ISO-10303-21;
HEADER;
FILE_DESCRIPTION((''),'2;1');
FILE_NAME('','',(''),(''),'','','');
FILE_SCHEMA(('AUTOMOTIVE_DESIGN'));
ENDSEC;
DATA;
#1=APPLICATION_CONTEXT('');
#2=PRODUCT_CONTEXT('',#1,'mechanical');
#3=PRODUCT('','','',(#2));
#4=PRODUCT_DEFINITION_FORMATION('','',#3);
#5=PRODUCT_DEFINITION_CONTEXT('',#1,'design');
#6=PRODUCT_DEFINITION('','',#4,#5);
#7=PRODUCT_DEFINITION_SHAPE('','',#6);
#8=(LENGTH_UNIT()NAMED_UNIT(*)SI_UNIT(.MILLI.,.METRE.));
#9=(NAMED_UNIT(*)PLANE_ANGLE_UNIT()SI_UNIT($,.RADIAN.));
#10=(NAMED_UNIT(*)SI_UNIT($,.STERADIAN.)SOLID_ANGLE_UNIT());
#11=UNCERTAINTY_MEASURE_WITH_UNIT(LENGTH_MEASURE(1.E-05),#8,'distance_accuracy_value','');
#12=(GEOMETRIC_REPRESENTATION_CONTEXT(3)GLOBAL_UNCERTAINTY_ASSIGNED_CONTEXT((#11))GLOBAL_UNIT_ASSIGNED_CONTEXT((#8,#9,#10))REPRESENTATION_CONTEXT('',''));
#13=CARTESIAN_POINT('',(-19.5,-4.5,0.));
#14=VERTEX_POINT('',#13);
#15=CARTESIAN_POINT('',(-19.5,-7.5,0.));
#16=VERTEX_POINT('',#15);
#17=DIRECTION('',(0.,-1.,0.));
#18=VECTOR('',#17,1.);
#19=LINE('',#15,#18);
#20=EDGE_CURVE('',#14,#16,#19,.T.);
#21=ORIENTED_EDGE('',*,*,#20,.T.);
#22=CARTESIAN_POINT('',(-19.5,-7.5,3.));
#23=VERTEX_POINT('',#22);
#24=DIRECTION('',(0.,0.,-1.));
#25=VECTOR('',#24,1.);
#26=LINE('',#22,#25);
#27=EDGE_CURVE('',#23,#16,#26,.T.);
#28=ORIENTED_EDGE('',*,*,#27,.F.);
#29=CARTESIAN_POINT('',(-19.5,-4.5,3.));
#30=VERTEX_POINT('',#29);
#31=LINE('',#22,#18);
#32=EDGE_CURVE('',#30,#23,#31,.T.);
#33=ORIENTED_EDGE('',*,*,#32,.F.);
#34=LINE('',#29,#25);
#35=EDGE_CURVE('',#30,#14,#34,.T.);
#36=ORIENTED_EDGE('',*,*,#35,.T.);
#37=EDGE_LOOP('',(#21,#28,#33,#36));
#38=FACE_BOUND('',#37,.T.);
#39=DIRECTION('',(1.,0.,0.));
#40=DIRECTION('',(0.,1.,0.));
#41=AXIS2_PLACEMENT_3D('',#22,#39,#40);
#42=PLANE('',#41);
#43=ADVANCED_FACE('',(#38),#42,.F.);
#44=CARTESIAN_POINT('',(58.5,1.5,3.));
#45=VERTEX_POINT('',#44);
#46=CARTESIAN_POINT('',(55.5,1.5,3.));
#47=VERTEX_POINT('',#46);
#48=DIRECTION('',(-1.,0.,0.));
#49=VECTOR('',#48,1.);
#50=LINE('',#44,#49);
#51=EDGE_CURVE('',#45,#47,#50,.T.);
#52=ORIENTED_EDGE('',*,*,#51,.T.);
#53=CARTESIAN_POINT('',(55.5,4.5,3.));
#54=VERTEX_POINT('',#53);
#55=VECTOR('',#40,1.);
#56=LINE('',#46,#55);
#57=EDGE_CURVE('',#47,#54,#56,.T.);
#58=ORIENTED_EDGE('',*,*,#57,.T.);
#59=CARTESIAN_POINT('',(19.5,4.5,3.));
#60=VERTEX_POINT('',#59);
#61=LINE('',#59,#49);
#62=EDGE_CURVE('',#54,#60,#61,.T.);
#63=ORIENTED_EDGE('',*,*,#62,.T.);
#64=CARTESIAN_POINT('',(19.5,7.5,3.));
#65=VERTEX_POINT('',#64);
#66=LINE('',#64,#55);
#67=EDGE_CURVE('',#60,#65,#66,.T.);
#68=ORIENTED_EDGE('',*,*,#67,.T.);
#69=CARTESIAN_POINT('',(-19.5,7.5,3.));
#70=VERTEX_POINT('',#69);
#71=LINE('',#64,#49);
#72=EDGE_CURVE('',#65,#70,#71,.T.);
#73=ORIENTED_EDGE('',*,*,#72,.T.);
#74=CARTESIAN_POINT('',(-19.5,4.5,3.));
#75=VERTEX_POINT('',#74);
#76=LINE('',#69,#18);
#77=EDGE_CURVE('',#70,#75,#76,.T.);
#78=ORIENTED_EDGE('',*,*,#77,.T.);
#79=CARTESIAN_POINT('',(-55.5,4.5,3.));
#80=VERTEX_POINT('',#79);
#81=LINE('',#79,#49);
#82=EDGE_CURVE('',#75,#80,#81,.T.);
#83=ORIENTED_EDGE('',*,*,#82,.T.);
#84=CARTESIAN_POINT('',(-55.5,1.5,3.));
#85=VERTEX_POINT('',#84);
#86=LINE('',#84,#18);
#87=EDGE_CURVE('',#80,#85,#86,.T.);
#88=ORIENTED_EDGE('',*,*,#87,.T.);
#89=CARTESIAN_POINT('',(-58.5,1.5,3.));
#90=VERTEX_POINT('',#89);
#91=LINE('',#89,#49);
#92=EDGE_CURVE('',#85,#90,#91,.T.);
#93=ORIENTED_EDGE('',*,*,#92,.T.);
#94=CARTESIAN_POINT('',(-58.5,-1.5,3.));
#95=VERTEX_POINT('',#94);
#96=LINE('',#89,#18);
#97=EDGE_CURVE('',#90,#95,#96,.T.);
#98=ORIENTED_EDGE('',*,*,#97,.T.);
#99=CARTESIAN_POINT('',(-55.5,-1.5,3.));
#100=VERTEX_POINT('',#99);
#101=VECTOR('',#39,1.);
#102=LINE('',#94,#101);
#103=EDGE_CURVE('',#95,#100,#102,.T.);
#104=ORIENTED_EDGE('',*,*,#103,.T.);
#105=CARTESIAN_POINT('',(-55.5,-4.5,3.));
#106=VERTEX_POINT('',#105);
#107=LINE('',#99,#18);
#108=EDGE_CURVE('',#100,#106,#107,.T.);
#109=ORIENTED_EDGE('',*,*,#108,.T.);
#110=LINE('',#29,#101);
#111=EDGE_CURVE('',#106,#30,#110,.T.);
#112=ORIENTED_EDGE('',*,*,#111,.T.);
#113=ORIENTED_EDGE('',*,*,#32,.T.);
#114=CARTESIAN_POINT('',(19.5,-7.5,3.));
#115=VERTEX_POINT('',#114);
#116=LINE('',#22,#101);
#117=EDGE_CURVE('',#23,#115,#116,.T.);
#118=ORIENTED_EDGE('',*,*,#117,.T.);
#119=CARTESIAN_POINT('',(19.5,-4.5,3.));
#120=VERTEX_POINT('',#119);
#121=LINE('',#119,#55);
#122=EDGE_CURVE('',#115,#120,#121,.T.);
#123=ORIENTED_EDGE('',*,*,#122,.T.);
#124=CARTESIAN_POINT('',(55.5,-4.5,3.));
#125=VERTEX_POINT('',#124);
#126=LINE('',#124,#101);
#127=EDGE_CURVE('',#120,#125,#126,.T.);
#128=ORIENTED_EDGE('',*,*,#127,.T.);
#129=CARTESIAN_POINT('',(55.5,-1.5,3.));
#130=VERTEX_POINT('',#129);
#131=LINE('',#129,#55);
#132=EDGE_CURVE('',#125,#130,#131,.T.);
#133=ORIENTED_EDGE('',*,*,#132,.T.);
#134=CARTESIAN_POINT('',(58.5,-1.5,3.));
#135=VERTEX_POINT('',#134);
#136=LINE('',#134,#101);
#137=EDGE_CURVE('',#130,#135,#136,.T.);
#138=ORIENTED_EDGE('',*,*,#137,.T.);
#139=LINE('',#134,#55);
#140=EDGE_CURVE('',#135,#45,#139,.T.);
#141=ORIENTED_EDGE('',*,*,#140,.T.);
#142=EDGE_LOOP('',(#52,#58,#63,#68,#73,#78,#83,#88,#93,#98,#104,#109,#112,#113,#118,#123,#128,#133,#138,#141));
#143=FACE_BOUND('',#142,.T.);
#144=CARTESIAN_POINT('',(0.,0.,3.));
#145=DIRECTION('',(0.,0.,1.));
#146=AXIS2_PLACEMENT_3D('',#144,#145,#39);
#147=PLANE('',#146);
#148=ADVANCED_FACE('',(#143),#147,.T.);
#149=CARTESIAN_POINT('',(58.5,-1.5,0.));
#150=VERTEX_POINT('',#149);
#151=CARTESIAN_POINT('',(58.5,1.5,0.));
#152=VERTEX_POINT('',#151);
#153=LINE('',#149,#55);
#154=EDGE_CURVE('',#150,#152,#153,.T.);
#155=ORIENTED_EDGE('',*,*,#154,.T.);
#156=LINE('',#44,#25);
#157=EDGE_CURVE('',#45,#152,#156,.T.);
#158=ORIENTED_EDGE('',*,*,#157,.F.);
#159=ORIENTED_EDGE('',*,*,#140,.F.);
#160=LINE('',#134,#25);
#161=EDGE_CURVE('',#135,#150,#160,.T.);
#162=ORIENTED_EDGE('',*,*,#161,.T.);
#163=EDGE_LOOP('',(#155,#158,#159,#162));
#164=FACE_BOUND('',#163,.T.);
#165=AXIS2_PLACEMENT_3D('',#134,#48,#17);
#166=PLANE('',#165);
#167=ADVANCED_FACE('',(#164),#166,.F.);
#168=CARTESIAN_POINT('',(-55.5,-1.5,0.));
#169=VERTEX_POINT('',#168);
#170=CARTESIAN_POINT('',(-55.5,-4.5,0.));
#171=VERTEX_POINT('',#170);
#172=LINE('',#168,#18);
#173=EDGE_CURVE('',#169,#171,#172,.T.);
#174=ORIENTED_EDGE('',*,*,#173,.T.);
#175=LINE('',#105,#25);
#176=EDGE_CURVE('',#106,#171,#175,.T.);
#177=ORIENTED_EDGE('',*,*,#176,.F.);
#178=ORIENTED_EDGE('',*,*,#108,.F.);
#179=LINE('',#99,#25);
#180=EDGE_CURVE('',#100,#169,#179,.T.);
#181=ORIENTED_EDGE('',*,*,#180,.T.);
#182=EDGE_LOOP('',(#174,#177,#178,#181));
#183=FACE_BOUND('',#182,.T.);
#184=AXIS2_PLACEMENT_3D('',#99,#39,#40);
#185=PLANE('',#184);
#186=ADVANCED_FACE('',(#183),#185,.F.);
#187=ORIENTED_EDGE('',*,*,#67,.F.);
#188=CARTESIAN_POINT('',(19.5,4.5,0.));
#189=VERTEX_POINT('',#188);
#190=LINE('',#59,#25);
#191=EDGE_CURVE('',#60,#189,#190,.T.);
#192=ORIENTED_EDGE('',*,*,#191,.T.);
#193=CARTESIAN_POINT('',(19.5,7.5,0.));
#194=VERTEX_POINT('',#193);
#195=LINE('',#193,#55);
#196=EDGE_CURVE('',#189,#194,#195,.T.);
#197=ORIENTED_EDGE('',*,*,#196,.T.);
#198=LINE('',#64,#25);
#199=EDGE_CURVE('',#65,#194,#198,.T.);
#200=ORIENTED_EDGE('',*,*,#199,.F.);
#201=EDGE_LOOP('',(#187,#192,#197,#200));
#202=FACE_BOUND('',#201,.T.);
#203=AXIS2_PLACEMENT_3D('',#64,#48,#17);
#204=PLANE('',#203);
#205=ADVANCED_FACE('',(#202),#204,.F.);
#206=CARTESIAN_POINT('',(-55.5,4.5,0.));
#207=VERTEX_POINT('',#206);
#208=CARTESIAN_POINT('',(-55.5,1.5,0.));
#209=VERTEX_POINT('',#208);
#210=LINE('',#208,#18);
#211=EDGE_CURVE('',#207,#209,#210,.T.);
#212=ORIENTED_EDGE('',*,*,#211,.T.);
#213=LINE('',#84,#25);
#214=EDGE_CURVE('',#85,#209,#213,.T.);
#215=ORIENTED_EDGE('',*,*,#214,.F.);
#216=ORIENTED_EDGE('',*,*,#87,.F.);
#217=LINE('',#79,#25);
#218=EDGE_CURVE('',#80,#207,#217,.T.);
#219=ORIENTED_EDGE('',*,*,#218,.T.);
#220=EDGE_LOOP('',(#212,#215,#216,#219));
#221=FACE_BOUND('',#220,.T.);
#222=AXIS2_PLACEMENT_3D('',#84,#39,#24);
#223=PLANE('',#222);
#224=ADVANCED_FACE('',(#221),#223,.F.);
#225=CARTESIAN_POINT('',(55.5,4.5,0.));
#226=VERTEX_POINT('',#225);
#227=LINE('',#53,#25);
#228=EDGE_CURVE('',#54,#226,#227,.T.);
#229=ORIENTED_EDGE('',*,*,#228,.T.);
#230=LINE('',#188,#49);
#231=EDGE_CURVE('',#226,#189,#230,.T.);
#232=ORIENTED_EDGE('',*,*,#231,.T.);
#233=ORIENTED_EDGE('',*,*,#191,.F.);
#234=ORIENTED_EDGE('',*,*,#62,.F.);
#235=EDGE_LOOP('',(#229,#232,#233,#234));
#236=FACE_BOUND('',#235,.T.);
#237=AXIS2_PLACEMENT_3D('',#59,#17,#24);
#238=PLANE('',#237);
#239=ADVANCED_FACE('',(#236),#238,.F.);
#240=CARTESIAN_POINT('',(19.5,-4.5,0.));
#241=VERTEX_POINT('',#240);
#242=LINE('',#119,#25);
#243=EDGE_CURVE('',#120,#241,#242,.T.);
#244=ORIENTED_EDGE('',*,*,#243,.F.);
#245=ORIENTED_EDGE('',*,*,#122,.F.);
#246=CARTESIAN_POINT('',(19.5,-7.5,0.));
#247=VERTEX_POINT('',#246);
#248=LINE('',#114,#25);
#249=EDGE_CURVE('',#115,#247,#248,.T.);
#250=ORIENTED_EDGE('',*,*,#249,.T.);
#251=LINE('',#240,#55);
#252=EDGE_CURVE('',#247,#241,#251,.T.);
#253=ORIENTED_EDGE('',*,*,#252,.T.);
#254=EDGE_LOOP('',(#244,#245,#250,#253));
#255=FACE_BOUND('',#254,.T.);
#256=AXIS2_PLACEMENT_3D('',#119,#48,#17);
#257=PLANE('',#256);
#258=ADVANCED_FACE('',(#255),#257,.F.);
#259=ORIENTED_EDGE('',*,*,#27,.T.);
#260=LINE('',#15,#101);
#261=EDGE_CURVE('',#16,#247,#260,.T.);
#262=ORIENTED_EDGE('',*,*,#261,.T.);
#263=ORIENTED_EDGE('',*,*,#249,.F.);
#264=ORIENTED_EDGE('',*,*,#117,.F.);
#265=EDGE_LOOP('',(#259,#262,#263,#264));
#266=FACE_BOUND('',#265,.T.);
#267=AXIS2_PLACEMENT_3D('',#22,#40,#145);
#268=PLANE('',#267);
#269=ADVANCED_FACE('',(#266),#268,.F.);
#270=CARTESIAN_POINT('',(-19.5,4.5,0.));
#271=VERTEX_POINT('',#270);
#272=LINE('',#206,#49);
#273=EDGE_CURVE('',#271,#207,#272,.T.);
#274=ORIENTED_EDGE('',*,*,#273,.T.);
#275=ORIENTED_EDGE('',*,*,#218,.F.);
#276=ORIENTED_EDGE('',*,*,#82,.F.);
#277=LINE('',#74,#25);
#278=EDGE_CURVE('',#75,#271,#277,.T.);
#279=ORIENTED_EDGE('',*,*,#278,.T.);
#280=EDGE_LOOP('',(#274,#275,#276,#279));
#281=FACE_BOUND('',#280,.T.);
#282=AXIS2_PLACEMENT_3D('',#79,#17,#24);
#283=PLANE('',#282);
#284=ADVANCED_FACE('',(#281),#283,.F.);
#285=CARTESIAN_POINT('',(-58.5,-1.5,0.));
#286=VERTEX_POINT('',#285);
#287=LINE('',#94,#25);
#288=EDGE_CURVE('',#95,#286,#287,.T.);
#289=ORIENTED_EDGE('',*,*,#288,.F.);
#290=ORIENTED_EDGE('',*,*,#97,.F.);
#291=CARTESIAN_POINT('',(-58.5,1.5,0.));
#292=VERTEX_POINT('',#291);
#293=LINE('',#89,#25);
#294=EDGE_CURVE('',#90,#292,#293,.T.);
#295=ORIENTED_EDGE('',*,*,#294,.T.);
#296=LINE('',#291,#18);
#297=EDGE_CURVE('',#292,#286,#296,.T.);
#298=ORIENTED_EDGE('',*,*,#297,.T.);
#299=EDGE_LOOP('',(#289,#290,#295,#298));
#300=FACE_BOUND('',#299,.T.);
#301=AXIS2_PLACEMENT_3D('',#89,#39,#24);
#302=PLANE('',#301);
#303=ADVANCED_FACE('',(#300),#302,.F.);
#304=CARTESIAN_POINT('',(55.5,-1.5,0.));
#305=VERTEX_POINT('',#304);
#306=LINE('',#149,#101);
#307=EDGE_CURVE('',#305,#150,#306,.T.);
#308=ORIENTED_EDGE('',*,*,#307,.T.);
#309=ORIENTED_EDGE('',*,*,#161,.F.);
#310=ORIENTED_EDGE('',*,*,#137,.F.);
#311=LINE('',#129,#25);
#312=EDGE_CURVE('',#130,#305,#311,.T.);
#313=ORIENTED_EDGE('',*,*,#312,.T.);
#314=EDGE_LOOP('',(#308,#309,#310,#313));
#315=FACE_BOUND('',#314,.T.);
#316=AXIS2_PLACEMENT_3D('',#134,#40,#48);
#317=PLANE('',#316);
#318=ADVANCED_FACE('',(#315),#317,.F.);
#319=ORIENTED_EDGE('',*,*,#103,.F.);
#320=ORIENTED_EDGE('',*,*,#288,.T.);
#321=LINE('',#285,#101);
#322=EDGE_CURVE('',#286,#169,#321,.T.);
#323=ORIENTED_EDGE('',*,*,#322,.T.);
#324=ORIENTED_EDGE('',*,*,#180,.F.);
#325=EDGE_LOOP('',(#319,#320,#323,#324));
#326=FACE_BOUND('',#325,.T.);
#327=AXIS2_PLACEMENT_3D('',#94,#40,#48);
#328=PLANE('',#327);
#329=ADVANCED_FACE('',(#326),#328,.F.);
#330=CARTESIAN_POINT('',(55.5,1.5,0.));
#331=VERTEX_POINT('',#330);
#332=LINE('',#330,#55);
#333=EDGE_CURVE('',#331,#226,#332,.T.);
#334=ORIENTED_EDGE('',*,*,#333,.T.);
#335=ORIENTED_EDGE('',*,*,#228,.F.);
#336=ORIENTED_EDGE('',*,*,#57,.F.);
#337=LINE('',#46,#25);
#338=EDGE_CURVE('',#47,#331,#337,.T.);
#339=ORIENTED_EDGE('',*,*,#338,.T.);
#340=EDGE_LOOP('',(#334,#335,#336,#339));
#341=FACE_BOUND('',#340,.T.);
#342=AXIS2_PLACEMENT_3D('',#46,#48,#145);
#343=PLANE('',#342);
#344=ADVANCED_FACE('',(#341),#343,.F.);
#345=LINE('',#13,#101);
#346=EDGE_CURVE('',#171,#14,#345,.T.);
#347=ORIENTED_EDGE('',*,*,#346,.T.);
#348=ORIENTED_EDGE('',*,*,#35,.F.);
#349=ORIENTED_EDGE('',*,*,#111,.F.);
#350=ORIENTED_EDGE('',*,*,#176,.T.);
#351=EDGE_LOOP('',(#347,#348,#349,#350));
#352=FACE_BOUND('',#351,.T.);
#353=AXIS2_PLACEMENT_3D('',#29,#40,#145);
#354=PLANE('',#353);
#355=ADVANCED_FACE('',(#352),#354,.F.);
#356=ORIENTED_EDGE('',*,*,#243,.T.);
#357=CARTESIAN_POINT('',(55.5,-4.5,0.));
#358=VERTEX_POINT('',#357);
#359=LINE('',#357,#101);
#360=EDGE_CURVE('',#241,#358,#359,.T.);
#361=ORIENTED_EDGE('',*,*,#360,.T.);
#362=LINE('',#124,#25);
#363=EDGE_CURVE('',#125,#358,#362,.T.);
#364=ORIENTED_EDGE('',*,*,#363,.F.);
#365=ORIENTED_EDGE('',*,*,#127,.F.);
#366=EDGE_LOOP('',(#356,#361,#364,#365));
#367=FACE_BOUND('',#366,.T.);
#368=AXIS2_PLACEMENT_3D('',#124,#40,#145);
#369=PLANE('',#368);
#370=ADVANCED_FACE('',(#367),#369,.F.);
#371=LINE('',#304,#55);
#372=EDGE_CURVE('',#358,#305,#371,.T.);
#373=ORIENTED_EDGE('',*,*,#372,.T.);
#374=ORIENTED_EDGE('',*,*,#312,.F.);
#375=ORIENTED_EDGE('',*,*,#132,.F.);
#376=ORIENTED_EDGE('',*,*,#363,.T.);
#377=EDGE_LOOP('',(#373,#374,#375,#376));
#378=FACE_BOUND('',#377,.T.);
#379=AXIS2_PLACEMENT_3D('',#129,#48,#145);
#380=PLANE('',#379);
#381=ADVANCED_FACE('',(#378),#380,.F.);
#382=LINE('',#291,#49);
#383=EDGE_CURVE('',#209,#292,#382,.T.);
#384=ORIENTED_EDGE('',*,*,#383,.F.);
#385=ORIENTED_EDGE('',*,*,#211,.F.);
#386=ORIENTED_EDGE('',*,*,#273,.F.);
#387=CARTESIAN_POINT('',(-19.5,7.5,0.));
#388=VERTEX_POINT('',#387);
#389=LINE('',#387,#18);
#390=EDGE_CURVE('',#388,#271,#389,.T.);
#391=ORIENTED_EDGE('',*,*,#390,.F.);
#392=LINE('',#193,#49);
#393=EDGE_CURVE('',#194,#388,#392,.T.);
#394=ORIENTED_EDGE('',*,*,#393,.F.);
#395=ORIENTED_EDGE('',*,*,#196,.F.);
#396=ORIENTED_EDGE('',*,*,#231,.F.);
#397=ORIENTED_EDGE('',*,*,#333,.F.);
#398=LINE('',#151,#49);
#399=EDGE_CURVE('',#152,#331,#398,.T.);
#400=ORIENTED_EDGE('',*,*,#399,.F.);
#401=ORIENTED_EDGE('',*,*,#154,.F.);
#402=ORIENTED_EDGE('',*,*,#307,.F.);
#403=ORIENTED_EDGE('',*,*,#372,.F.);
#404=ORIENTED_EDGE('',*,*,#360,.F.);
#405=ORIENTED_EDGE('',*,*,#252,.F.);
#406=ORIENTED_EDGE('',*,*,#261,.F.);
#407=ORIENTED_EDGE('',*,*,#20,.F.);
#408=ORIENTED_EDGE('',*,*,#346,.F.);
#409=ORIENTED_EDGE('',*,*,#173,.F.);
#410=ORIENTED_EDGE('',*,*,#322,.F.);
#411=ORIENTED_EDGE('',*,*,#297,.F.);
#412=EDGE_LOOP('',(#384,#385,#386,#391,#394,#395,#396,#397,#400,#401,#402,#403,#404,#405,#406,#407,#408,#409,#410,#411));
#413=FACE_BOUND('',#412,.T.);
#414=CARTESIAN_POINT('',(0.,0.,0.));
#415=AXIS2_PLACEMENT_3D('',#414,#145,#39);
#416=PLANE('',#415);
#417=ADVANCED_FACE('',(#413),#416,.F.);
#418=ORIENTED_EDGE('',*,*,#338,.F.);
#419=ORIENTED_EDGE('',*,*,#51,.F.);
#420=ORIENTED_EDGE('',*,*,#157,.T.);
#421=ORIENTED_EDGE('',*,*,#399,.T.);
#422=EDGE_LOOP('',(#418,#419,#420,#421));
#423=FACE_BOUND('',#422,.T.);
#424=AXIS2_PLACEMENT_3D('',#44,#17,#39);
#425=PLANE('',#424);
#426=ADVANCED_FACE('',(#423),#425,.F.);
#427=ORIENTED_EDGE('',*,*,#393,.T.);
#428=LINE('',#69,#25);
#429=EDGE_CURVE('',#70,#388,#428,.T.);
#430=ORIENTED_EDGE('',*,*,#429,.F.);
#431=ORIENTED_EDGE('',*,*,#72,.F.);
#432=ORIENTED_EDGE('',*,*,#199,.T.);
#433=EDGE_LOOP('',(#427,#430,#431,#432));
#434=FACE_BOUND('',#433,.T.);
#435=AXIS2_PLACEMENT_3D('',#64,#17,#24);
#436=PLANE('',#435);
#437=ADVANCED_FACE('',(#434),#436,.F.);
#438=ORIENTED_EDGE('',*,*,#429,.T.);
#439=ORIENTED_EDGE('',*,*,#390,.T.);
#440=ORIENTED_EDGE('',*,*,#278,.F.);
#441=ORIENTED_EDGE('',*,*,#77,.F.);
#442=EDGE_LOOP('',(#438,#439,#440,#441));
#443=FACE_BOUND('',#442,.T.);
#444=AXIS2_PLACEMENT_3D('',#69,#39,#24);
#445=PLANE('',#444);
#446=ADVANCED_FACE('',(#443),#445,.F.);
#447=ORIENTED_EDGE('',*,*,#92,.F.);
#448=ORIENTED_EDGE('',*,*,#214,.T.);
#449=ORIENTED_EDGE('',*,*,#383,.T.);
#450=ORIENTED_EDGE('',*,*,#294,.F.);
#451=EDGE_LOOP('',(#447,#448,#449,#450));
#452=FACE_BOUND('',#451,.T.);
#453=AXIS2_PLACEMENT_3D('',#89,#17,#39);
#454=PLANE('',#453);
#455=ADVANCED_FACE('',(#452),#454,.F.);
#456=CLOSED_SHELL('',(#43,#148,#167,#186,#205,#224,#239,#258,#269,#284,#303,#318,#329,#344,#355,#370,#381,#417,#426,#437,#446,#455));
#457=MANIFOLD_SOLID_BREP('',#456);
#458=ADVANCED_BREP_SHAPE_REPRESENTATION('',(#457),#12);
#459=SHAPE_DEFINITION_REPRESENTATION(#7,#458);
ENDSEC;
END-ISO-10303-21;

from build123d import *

# Parameters (mm, degrees)
BOSS_EXTRUDE1_DEPTH = 3


with BuildPart() as part:
    # Sketch1 → Boss-Extrude1 (new body)
    with BuildSketch(Plane.XY):
        Polygon((-19.5, -7.5), (19.5, -7.5), (19.5, -4.5), (55.5, -4.5), (55.5, -1.5), (58.5, -1.5), (58.5, 1.5), (55.5, 1.5), (55.5, 4.5), (19.5, 4.5), (19.5, 7.5), (-19.5, 7.5), (-19.5, 4.5), (-55.5, 4.5), (-55.5, 1.5), (-58.5, 1.5), (-58.5, -1.5), (-55.5, -1.5), (-55.5, -4.5), (-19.5, -4.5), align=None)
    extrude(amount=BOSS_EXTRUDE1_DEPTH)


solid = part.part
